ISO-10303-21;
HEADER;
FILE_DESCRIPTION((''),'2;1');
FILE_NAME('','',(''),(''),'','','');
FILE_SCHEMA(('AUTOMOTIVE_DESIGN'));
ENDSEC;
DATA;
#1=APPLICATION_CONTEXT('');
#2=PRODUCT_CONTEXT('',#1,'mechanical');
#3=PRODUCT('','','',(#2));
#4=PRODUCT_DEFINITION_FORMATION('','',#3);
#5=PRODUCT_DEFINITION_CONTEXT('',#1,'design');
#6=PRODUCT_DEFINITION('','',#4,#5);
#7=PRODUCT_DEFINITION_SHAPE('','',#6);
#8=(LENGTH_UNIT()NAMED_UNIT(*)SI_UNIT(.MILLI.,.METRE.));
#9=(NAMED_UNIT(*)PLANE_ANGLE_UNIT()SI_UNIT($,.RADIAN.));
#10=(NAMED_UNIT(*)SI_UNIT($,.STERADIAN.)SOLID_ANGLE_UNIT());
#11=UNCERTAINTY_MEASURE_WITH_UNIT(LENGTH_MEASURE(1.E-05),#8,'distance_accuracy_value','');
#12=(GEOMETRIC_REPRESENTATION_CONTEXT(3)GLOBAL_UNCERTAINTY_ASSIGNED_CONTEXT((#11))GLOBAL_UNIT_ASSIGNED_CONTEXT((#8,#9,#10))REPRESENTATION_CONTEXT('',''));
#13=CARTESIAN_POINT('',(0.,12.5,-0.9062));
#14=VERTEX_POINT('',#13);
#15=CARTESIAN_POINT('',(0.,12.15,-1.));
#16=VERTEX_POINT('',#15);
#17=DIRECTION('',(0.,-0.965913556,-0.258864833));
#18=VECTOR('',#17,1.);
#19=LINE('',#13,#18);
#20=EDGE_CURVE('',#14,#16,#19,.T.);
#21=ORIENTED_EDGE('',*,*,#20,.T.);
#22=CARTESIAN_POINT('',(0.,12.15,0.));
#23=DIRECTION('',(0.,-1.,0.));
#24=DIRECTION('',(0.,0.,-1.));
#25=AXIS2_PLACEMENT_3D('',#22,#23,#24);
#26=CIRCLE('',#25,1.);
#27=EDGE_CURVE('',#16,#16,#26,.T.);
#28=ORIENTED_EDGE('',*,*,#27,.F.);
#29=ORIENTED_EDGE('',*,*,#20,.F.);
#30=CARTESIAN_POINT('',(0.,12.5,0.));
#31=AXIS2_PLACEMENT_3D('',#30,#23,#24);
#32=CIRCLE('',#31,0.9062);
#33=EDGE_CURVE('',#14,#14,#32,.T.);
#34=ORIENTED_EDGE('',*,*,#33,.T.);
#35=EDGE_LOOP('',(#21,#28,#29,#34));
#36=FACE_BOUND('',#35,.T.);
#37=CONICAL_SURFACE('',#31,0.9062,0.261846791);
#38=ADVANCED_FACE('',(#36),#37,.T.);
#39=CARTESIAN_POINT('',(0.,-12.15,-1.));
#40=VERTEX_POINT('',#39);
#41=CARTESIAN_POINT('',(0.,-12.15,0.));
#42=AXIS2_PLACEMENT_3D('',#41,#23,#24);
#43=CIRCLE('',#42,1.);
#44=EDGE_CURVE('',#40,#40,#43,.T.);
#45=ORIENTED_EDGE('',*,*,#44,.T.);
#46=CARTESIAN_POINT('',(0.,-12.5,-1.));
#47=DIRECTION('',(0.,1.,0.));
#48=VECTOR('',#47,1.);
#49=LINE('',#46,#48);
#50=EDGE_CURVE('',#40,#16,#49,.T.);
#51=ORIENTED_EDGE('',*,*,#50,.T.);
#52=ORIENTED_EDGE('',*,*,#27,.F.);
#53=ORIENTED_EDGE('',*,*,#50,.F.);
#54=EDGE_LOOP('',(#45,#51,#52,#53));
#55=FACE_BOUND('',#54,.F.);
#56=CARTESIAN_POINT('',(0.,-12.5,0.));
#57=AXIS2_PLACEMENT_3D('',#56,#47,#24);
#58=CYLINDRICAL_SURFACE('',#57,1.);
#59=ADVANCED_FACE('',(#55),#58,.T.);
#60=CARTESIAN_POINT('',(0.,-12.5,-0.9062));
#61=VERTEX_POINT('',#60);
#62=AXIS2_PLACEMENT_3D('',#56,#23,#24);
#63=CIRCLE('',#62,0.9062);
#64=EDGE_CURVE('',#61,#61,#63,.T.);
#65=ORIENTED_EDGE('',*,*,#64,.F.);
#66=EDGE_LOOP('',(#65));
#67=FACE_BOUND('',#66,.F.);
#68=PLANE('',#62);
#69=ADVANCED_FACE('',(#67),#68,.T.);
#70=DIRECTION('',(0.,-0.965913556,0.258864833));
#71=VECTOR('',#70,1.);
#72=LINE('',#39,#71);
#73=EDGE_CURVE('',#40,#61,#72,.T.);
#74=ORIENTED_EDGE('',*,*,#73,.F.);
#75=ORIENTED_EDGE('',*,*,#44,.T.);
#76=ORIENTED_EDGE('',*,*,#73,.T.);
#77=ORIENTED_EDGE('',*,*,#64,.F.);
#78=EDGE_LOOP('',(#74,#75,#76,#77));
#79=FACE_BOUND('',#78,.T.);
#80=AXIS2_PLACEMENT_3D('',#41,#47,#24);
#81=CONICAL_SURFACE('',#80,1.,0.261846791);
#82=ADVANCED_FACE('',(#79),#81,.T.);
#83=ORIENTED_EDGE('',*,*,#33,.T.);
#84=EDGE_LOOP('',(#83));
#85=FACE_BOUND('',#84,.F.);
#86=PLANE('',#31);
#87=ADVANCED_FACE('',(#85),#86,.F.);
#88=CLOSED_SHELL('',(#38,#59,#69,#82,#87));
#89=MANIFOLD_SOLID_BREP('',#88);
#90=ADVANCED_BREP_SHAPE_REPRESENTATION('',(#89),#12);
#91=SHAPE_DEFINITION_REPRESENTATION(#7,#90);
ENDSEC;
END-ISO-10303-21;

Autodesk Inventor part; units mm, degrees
ref_plane "YZ Plane" through (0, 0, 0) normal (1, 0, 0) x (0, 1, 0)
ref_plane "XZ Plane" through (0, 0, 0) normal (0, 1, 0) x (-1, 0, 0)
ref_plane "XY Plane" through (0, 0, 0) normal (0, 0, 1) x (1, 0, 0)
sketch "スケッチ2" plane through (0, 0, 0) normal (1, 0, 0) x (0, 1, 0)
  line L0 (12.5, 1) -> (-12.5, 1)
  line L1 (-12.5, 1) -> (-12.5, -1)
  line L2 (-12.5, -1) -> (12.5, -1)
  line L3 (12.5, -1) -> (12.5, 1)
  line L4 (12.5, 1) -> (-12.5, -1) construction
  line L5 (-12.5, 1) -> (12.5, -1) construction
  line L6 (12.5, -0.9062) -> (12.15, -1)
  line L7 (12.5, 0) -> (-12.5, 0)
  line L8 (-12.15, -1) -> (-12.5, -0.9062)
  point P0 (0, 0)
  dimension "d9" = 25
  dimension "d10" = 2
  dimension "d11" = 0.35
  dimension "d12" = 15
  dimension "d14" = 0.35
  dimension "d15" = 15
revolve "回転1" add sketch "スケッチ2" angle 360 about axis through (0, 12.5, 0) along (0, -1, 0) contours L3 L6 L2 L8 L1 L7
properties part number "f2w10" material "ステンレス鋼"
